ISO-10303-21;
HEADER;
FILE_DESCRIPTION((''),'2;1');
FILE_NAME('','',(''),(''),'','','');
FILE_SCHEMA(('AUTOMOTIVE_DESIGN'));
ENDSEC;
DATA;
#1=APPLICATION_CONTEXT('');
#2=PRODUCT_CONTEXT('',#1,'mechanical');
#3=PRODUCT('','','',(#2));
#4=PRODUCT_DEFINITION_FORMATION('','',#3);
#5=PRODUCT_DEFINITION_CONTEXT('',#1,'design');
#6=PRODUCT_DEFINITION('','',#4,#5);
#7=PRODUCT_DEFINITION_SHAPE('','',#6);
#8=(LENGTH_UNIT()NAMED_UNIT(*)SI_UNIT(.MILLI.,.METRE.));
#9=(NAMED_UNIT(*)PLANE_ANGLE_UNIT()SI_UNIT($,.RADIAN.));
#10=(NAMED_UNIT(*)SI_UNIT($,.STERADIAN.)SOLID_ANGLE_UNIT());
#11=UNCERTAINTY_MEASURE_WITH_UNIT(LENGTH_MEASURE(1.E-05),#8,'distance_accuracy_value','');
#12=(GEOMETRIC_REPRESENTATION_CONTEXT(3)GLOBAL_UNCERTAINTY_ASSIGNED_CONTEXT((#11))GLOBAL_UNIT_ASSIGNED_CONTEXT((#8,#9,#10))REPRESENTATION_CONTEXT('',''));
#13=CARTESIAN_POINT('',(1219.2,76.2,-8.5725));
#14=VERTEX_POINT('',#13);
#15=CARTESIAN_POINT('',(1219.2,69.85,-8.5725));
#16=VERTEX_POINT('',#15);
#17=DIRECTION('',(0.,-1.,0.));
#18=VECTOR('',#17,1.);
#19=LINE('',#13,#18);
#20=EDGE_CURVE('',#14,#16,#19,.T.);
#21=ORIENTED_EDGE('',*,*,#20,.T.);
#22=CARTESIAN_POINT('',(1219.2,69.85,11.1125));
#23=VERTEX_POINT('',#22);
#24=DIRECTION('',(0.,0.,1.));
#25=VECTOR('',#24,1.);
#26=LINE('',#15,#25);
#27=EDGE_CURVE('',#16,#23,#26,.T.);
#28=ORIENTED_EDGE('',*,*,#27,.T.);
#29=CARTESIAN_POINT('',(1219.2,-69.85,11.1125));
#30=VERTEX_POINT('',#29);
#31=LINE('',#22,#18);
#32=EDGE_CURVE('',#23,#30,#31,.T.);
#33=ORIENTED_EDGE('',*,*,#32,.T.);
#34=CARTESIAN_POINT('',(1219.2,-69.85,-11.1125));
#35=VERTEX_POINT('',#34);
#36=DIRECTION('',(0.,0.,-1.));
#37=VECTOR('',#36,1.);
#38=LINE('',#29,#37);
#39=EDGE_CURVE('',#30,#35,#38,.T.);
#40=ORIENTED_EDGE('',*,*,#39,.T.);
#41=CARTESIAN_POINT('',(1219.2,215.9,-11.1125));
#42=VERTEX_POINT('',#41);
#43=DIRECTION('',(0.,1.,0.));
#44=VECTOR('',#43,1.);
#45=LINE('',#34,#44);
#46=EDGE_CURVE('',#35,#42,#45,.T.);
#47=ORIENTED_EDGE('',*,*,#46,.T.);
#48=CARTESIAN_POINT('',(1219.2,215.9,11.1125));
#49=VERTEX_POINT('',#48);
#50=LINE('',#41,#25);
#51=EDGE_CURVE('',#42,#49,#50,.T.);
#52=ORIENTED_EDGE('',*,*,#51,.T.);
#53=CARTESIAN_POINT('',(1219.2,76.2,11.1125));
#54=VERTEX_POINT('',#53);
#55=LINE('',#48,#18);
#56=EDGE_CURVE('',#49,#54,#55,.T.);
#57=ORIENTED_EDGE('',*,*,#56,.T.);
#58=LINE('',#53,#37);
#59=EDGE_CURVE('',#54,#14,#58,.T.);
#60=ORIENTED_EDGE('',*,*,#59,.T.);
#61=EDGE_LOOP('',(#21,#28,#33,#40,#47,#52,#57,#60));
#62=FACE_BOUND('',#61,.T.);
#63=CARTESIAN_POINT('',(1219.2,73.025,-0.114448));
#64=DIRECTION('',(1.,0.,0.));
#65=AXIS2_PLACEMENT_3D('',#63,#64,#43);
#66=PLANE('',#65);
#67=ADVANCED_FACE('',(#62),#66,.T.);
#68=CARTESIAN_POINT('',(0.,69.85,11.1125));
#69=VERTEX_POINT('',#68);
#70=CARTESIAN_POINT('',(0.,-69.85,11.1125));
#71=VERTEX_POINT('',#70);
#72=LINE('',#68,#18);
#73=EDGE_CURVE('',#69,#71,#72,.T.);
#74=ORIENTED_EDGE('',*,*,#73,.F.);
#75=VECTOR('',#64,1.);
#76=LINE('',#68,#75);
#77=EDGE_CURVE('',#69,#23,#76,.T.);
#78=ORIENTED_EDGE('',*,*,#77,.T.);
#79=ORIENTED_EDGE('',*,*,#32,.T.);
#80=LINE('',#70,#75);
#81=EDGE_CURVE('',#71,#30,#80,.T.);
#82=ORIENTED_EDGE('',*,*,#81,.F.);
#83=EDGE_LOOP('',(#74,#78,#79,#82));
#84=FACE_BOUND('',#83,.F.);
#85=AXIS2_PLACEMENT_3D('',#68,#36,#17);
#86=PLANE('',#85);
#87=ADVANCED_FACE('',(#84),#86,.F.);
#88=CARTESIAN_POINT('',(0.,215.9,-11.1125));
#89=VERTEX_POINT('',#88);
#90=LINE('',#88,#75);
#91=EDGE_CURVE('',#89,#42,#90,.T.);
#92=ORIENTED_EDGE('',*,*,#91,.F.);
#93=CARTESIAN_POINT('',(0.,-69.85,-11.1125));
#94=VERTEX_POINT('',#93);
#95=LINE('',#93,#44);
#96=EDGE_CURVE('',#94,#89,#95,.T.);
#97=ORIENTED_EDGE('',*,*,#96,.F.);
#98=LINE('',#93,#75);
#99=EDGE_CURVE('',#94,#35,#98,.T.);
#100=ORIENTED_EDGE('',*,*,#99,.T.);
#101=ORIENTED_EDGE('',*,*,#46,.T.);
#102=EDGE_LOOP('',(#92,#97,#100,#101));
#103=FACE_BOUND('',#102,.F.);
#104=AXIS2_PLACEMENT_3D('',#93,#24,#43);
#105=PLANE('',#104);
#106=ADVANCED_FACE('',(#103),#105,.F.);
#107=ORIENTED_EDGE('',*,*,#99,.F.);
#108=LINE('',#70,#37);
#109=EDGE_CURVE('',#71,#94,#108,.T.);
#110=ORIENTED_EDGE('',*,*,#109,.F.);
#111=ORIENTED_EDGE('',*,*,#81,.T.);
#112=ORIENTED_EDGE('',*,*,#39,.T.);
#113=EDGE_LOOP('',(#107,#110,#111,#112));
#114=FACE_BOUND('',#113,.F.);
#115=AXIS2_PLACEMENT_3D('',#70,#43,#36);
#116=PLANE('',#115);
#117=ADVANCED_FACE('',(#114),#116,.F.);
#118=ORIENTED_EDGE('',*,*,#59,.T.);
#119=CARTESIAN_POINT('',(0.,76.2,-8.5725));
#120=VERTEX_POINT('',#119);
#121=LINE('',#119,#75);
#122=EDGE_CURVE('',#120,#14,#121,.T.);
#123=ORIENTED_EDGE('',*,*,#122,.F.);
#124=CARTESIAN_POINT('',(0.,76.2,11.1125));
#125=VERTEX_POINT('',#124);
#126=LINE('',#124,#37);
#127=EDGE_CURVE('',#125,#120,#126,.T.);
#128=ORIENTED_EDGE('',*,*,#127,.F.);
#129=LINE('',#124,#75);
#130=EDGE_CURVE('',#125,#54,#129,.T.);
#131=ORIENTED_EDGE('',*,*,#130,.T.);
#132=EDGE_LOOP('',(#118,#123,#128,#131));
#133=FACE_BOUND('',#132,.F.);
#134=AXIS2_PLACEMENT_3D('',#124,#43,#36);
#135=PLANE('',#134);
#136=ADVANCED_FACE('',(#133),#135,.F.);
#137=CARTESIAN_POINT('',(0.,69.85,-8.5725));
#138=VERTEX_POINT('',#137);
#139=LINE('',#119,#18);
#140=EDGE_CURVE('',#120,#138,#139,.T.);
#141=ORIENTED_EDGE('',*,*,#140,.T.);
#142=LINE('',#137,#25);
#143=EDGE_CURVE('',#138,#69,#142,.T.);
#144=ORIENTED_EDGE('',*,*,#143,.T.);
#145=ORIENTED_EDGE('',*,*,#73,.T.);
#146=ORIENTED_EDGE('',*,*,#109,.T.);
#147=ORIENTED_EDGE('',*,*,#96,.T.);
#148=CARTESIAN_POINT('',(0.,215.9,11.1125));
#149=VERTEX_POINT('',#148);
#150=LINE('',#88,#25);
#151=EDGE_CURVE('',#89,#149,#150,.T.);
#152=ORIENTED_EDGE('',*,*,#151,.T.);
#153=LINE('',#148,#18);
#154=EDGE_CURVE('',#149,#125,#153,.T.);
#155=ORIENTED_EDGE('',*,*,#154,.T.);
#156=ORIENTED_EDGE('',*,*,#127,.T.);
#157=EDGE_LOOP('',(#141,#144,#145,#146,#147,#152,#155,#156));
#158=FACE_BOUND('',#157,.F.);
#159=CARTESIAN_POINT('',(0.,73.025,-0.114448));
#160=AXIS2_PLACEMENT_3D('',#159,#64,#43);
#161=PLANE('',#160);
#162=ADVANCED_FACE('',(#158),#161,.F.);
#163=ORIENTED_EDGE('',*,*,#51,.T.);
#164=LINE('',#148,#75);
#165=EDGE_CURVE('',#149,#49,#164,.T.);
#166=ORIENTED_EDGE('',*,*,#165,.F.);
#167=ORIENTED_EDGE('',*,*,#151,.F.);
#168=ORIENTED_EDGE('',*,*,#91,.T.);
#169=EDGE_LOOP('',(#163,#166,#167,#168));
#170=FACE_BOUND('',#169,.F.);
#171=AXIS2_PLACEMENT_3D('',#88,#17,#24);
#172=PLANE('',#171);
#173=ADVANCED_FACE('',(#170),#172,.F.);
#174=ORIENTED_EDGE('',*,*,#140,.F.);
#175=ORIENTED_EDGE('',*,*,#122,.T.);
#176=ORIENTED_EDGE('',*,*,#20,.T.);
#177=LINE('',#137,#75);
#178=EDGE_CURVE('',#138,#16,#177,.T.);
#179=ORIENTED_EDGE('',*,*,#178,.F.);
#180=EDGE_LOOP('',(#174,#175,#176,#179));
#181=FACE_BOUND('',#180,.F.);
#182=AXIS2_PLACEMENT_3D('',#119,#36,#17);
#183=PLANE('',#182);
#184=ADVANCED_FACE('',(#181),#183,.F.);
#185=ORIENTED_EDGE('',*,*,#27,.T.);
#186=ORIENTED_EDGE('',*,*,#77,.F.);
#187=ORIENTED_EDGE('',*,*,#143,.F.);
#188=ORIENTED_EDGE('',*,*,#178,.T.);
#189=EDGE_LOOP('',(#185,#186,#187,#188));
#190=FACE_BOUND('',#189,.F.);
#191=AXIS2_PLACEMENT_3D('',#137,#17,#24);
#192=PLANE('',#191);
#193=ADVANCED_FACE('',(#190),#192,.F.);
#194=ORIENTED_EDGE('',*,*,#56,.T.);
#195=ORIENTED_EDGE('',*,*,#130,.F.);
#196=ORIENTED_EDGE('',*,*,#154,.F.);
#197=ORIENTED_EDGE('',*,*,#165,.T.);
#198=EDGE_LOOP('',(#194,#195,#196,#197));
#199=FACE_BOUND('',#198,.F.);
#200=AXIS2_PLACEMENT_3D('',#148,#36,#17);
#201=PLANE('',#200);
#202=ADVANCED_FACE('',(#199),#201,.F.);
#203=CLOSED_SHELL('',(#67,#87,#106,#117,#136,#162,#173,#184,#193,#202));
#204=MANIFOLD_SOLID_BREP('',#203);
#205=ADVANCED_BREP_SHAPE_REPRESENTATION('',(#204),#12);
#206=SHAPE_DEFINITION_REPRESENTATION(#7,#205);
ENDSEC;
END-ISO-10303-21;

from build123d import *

# Parameters (mm, degrees)
F1_DEPTH = 1219.2


with BuildPart() as f1:
    # F0 (on Right) → F1 (new body)
    with BuildSketch(Plane.YZ):
        Polygon((-69.85, -11.1125), (69.85, -11.1125), (76.2, -11.1125), (215.9, -11.1125), (215.9, 11.1125), (76.2, 11.1125), (76.2, -8.5725), (69.85, -8.5725), (69.85, 11.1125), (-69.85, 11.1125), align=None)
    extrude(amount=F1_DEPTH)


solid = f1.part
